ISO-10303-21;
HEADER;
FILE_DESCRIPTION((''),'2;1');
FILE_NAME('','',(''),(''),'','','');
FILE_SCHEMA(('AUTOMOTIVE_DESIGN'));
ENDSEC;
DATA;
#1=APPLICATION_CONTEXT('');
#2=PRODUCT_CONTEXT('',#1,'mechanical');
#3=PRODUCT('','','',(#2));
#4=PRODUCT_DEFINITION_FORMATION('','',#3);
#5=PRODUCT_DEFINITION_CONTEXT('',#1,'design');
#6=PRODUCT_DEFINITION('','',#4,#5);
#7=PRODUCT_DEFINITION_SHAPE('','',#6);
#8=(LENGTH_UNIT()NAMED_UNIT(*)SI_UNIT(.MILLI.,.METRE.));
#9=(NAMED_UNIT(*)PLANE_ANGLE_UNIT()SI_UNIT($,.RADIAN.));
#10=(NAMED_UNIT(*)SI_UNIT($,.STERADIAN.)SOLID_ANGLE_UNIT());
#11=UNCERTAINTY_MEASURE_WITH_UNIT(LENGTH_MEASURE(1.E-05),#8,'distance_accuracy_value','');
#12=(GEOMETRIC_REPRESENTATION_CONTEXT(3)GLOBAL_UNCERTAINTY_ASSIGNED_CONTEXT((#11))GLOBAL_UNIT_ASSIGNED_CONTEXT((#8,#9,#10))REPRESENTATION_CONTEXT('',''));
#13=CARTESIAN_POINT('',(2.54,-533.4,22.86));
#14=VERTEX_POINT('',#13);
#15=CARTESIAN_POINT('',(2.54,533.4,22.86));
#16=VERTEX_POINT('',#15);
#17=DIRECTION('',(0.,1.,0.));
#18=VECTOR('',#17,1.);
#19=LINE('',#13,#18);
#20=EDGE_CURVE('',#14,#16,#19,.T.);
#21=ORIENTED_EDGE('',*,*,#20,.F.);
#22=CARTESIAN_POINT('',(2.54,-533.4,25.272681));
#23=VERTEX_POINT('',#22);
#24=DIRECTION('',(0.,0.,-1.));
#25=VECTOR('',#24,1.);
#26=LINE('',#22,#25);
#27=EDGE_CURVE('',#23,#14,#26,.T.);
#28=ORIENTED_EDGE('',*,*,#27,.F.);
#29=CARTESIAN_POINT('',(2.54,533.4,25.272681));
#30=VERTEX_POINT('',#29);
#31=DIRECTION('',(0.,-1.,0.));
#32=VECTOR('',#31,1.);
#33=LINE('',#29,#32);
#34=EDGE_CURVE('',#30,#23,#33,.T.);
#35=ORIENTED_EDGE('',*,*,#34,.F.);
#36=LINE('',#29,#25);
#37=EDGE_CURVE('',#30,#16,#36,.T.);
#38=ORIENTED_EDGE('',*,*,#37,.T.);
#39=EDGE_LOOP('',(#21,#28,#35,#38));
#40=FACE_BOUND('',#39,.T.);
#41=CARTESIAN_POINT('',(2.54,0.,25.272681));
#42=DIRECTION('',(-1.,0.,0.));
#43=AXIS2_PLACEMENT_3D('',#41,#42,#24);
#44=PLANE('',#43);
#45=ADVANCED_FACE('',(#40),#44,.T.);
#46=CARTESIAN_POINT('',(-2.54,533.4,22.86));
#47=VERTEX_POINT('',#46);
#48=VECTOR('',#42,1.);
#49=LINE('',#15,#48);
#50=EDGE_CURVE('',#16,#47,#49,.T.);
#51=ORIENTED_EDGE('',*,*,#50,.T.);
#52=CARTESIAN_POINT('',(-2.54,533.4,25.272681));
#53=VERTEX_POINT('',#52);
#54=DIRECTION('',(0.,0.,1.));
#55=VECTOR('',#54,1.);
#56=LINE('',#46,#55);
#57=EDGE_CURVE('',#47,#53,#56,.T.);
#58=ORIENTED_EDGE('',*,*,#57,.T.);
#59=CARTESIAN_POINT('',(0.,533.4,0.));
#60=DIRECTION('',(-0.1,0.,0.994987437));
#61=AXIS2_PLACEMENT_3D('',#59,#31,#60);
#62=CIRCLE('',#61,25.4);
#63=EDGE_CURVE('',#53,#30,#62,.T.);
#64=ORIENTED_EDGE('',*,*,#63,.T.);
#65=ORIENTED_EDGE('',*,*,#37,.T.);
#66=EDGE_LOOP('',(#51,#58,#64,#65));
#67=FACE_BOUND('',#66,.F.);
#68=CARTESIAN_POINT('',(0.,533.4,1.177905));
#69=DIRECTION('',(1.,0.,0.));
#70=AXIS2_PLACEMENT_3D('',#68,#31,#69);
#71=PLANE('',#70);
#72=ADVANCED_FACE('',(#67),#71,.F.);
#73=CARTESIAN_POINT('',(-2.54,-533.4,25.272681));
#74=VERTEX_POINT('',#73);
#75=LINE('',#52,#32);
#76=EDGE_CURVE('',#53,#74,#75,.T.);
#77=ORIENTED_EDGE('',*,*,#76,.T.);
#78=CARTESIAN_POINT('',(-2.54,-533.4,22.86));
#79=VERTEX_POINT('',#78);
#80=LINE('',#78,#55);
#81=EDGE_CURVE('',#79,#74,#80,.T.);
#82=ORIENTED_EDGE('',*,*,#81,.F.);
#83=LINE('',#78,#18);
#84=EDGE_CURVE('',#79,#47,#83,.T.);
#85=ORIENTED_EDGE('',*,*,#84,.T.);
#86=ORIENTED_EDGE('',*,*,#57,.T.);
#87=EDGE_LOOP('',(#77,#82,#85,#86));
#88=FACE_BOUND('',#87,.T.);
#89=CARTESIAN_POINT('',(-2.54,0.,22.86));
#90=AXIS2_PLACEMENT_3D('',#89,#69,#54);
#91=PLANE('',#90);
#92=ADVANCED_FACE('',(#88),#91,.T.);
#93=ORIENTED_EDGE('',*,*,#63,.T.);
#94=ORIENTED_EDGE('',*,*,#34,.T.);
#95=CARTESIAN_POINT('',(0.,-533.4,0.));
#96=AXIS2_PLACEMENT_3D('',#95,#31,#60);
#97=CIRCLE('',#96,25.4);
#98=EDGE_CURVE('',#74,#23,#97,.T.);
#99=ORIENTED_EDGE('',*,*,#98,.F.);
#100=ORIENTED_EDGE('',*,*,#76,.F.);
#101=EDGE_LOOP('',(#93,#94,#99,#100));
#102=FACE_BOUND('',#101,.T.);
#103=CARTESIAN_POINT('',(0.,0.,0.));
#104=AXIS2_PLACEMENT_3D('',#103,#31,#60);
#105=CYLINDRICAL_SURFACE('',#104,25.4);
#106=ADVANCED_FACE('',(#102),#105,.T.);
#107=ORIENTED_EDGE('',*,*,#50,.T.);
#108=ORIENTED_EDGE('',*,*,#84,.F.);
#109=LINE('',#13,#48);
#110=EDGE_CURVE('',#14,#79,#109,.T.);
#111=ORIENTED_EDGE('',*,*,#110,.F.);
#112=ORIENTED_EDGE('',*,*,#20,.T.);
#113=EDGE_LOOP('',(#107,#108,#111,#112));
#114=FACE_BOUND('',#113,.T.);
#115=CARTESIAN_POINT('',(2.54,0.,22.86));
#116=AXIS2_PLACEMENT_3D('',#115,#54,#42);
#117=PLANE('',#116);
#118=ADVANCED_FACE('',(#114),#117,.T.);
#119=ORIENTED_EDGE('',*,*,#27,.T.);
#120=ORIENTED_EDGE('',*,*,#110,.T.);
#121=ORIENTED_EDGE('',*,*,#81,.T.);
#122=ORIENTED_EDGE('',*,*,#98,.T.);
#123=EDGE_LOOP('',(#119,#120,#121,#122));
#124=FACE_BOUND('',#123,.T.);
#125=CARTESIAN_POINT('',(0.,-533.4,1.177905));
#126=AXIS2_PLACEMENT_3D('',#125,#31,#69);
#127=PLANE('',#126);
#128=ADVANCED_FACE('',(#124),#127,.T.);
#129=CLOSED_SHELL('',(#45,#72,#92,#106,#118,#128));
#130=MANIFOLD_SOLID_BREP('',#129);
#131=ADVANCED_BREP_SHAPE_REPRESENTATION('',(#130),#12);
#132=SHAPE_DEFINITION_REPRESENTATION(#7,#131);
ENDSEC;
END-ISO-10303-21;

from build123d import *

# Parameters (mm, degrees)
F1_DEPTH = 533.4


with BuildPart() as f1:
    # F0 (on Front) → F1 (new body, symmetric)
    with BuildSketch(Plane.XZ):
        with BuildLine():
            Line((-2.54, 22.86), (-2.54, 25.272681))
            ThreePointArc((-2.54, 25.272681), (0, -25.4), (2.54, 25.272681))
            Line((2.54, 25.272681), (2.54, 22.86))
            Line((2.54, 22.86), (-2.54, 22.86))
        make_face()
    extrude(amount=F1_DEPTH, both=True)


solid = f1.part
